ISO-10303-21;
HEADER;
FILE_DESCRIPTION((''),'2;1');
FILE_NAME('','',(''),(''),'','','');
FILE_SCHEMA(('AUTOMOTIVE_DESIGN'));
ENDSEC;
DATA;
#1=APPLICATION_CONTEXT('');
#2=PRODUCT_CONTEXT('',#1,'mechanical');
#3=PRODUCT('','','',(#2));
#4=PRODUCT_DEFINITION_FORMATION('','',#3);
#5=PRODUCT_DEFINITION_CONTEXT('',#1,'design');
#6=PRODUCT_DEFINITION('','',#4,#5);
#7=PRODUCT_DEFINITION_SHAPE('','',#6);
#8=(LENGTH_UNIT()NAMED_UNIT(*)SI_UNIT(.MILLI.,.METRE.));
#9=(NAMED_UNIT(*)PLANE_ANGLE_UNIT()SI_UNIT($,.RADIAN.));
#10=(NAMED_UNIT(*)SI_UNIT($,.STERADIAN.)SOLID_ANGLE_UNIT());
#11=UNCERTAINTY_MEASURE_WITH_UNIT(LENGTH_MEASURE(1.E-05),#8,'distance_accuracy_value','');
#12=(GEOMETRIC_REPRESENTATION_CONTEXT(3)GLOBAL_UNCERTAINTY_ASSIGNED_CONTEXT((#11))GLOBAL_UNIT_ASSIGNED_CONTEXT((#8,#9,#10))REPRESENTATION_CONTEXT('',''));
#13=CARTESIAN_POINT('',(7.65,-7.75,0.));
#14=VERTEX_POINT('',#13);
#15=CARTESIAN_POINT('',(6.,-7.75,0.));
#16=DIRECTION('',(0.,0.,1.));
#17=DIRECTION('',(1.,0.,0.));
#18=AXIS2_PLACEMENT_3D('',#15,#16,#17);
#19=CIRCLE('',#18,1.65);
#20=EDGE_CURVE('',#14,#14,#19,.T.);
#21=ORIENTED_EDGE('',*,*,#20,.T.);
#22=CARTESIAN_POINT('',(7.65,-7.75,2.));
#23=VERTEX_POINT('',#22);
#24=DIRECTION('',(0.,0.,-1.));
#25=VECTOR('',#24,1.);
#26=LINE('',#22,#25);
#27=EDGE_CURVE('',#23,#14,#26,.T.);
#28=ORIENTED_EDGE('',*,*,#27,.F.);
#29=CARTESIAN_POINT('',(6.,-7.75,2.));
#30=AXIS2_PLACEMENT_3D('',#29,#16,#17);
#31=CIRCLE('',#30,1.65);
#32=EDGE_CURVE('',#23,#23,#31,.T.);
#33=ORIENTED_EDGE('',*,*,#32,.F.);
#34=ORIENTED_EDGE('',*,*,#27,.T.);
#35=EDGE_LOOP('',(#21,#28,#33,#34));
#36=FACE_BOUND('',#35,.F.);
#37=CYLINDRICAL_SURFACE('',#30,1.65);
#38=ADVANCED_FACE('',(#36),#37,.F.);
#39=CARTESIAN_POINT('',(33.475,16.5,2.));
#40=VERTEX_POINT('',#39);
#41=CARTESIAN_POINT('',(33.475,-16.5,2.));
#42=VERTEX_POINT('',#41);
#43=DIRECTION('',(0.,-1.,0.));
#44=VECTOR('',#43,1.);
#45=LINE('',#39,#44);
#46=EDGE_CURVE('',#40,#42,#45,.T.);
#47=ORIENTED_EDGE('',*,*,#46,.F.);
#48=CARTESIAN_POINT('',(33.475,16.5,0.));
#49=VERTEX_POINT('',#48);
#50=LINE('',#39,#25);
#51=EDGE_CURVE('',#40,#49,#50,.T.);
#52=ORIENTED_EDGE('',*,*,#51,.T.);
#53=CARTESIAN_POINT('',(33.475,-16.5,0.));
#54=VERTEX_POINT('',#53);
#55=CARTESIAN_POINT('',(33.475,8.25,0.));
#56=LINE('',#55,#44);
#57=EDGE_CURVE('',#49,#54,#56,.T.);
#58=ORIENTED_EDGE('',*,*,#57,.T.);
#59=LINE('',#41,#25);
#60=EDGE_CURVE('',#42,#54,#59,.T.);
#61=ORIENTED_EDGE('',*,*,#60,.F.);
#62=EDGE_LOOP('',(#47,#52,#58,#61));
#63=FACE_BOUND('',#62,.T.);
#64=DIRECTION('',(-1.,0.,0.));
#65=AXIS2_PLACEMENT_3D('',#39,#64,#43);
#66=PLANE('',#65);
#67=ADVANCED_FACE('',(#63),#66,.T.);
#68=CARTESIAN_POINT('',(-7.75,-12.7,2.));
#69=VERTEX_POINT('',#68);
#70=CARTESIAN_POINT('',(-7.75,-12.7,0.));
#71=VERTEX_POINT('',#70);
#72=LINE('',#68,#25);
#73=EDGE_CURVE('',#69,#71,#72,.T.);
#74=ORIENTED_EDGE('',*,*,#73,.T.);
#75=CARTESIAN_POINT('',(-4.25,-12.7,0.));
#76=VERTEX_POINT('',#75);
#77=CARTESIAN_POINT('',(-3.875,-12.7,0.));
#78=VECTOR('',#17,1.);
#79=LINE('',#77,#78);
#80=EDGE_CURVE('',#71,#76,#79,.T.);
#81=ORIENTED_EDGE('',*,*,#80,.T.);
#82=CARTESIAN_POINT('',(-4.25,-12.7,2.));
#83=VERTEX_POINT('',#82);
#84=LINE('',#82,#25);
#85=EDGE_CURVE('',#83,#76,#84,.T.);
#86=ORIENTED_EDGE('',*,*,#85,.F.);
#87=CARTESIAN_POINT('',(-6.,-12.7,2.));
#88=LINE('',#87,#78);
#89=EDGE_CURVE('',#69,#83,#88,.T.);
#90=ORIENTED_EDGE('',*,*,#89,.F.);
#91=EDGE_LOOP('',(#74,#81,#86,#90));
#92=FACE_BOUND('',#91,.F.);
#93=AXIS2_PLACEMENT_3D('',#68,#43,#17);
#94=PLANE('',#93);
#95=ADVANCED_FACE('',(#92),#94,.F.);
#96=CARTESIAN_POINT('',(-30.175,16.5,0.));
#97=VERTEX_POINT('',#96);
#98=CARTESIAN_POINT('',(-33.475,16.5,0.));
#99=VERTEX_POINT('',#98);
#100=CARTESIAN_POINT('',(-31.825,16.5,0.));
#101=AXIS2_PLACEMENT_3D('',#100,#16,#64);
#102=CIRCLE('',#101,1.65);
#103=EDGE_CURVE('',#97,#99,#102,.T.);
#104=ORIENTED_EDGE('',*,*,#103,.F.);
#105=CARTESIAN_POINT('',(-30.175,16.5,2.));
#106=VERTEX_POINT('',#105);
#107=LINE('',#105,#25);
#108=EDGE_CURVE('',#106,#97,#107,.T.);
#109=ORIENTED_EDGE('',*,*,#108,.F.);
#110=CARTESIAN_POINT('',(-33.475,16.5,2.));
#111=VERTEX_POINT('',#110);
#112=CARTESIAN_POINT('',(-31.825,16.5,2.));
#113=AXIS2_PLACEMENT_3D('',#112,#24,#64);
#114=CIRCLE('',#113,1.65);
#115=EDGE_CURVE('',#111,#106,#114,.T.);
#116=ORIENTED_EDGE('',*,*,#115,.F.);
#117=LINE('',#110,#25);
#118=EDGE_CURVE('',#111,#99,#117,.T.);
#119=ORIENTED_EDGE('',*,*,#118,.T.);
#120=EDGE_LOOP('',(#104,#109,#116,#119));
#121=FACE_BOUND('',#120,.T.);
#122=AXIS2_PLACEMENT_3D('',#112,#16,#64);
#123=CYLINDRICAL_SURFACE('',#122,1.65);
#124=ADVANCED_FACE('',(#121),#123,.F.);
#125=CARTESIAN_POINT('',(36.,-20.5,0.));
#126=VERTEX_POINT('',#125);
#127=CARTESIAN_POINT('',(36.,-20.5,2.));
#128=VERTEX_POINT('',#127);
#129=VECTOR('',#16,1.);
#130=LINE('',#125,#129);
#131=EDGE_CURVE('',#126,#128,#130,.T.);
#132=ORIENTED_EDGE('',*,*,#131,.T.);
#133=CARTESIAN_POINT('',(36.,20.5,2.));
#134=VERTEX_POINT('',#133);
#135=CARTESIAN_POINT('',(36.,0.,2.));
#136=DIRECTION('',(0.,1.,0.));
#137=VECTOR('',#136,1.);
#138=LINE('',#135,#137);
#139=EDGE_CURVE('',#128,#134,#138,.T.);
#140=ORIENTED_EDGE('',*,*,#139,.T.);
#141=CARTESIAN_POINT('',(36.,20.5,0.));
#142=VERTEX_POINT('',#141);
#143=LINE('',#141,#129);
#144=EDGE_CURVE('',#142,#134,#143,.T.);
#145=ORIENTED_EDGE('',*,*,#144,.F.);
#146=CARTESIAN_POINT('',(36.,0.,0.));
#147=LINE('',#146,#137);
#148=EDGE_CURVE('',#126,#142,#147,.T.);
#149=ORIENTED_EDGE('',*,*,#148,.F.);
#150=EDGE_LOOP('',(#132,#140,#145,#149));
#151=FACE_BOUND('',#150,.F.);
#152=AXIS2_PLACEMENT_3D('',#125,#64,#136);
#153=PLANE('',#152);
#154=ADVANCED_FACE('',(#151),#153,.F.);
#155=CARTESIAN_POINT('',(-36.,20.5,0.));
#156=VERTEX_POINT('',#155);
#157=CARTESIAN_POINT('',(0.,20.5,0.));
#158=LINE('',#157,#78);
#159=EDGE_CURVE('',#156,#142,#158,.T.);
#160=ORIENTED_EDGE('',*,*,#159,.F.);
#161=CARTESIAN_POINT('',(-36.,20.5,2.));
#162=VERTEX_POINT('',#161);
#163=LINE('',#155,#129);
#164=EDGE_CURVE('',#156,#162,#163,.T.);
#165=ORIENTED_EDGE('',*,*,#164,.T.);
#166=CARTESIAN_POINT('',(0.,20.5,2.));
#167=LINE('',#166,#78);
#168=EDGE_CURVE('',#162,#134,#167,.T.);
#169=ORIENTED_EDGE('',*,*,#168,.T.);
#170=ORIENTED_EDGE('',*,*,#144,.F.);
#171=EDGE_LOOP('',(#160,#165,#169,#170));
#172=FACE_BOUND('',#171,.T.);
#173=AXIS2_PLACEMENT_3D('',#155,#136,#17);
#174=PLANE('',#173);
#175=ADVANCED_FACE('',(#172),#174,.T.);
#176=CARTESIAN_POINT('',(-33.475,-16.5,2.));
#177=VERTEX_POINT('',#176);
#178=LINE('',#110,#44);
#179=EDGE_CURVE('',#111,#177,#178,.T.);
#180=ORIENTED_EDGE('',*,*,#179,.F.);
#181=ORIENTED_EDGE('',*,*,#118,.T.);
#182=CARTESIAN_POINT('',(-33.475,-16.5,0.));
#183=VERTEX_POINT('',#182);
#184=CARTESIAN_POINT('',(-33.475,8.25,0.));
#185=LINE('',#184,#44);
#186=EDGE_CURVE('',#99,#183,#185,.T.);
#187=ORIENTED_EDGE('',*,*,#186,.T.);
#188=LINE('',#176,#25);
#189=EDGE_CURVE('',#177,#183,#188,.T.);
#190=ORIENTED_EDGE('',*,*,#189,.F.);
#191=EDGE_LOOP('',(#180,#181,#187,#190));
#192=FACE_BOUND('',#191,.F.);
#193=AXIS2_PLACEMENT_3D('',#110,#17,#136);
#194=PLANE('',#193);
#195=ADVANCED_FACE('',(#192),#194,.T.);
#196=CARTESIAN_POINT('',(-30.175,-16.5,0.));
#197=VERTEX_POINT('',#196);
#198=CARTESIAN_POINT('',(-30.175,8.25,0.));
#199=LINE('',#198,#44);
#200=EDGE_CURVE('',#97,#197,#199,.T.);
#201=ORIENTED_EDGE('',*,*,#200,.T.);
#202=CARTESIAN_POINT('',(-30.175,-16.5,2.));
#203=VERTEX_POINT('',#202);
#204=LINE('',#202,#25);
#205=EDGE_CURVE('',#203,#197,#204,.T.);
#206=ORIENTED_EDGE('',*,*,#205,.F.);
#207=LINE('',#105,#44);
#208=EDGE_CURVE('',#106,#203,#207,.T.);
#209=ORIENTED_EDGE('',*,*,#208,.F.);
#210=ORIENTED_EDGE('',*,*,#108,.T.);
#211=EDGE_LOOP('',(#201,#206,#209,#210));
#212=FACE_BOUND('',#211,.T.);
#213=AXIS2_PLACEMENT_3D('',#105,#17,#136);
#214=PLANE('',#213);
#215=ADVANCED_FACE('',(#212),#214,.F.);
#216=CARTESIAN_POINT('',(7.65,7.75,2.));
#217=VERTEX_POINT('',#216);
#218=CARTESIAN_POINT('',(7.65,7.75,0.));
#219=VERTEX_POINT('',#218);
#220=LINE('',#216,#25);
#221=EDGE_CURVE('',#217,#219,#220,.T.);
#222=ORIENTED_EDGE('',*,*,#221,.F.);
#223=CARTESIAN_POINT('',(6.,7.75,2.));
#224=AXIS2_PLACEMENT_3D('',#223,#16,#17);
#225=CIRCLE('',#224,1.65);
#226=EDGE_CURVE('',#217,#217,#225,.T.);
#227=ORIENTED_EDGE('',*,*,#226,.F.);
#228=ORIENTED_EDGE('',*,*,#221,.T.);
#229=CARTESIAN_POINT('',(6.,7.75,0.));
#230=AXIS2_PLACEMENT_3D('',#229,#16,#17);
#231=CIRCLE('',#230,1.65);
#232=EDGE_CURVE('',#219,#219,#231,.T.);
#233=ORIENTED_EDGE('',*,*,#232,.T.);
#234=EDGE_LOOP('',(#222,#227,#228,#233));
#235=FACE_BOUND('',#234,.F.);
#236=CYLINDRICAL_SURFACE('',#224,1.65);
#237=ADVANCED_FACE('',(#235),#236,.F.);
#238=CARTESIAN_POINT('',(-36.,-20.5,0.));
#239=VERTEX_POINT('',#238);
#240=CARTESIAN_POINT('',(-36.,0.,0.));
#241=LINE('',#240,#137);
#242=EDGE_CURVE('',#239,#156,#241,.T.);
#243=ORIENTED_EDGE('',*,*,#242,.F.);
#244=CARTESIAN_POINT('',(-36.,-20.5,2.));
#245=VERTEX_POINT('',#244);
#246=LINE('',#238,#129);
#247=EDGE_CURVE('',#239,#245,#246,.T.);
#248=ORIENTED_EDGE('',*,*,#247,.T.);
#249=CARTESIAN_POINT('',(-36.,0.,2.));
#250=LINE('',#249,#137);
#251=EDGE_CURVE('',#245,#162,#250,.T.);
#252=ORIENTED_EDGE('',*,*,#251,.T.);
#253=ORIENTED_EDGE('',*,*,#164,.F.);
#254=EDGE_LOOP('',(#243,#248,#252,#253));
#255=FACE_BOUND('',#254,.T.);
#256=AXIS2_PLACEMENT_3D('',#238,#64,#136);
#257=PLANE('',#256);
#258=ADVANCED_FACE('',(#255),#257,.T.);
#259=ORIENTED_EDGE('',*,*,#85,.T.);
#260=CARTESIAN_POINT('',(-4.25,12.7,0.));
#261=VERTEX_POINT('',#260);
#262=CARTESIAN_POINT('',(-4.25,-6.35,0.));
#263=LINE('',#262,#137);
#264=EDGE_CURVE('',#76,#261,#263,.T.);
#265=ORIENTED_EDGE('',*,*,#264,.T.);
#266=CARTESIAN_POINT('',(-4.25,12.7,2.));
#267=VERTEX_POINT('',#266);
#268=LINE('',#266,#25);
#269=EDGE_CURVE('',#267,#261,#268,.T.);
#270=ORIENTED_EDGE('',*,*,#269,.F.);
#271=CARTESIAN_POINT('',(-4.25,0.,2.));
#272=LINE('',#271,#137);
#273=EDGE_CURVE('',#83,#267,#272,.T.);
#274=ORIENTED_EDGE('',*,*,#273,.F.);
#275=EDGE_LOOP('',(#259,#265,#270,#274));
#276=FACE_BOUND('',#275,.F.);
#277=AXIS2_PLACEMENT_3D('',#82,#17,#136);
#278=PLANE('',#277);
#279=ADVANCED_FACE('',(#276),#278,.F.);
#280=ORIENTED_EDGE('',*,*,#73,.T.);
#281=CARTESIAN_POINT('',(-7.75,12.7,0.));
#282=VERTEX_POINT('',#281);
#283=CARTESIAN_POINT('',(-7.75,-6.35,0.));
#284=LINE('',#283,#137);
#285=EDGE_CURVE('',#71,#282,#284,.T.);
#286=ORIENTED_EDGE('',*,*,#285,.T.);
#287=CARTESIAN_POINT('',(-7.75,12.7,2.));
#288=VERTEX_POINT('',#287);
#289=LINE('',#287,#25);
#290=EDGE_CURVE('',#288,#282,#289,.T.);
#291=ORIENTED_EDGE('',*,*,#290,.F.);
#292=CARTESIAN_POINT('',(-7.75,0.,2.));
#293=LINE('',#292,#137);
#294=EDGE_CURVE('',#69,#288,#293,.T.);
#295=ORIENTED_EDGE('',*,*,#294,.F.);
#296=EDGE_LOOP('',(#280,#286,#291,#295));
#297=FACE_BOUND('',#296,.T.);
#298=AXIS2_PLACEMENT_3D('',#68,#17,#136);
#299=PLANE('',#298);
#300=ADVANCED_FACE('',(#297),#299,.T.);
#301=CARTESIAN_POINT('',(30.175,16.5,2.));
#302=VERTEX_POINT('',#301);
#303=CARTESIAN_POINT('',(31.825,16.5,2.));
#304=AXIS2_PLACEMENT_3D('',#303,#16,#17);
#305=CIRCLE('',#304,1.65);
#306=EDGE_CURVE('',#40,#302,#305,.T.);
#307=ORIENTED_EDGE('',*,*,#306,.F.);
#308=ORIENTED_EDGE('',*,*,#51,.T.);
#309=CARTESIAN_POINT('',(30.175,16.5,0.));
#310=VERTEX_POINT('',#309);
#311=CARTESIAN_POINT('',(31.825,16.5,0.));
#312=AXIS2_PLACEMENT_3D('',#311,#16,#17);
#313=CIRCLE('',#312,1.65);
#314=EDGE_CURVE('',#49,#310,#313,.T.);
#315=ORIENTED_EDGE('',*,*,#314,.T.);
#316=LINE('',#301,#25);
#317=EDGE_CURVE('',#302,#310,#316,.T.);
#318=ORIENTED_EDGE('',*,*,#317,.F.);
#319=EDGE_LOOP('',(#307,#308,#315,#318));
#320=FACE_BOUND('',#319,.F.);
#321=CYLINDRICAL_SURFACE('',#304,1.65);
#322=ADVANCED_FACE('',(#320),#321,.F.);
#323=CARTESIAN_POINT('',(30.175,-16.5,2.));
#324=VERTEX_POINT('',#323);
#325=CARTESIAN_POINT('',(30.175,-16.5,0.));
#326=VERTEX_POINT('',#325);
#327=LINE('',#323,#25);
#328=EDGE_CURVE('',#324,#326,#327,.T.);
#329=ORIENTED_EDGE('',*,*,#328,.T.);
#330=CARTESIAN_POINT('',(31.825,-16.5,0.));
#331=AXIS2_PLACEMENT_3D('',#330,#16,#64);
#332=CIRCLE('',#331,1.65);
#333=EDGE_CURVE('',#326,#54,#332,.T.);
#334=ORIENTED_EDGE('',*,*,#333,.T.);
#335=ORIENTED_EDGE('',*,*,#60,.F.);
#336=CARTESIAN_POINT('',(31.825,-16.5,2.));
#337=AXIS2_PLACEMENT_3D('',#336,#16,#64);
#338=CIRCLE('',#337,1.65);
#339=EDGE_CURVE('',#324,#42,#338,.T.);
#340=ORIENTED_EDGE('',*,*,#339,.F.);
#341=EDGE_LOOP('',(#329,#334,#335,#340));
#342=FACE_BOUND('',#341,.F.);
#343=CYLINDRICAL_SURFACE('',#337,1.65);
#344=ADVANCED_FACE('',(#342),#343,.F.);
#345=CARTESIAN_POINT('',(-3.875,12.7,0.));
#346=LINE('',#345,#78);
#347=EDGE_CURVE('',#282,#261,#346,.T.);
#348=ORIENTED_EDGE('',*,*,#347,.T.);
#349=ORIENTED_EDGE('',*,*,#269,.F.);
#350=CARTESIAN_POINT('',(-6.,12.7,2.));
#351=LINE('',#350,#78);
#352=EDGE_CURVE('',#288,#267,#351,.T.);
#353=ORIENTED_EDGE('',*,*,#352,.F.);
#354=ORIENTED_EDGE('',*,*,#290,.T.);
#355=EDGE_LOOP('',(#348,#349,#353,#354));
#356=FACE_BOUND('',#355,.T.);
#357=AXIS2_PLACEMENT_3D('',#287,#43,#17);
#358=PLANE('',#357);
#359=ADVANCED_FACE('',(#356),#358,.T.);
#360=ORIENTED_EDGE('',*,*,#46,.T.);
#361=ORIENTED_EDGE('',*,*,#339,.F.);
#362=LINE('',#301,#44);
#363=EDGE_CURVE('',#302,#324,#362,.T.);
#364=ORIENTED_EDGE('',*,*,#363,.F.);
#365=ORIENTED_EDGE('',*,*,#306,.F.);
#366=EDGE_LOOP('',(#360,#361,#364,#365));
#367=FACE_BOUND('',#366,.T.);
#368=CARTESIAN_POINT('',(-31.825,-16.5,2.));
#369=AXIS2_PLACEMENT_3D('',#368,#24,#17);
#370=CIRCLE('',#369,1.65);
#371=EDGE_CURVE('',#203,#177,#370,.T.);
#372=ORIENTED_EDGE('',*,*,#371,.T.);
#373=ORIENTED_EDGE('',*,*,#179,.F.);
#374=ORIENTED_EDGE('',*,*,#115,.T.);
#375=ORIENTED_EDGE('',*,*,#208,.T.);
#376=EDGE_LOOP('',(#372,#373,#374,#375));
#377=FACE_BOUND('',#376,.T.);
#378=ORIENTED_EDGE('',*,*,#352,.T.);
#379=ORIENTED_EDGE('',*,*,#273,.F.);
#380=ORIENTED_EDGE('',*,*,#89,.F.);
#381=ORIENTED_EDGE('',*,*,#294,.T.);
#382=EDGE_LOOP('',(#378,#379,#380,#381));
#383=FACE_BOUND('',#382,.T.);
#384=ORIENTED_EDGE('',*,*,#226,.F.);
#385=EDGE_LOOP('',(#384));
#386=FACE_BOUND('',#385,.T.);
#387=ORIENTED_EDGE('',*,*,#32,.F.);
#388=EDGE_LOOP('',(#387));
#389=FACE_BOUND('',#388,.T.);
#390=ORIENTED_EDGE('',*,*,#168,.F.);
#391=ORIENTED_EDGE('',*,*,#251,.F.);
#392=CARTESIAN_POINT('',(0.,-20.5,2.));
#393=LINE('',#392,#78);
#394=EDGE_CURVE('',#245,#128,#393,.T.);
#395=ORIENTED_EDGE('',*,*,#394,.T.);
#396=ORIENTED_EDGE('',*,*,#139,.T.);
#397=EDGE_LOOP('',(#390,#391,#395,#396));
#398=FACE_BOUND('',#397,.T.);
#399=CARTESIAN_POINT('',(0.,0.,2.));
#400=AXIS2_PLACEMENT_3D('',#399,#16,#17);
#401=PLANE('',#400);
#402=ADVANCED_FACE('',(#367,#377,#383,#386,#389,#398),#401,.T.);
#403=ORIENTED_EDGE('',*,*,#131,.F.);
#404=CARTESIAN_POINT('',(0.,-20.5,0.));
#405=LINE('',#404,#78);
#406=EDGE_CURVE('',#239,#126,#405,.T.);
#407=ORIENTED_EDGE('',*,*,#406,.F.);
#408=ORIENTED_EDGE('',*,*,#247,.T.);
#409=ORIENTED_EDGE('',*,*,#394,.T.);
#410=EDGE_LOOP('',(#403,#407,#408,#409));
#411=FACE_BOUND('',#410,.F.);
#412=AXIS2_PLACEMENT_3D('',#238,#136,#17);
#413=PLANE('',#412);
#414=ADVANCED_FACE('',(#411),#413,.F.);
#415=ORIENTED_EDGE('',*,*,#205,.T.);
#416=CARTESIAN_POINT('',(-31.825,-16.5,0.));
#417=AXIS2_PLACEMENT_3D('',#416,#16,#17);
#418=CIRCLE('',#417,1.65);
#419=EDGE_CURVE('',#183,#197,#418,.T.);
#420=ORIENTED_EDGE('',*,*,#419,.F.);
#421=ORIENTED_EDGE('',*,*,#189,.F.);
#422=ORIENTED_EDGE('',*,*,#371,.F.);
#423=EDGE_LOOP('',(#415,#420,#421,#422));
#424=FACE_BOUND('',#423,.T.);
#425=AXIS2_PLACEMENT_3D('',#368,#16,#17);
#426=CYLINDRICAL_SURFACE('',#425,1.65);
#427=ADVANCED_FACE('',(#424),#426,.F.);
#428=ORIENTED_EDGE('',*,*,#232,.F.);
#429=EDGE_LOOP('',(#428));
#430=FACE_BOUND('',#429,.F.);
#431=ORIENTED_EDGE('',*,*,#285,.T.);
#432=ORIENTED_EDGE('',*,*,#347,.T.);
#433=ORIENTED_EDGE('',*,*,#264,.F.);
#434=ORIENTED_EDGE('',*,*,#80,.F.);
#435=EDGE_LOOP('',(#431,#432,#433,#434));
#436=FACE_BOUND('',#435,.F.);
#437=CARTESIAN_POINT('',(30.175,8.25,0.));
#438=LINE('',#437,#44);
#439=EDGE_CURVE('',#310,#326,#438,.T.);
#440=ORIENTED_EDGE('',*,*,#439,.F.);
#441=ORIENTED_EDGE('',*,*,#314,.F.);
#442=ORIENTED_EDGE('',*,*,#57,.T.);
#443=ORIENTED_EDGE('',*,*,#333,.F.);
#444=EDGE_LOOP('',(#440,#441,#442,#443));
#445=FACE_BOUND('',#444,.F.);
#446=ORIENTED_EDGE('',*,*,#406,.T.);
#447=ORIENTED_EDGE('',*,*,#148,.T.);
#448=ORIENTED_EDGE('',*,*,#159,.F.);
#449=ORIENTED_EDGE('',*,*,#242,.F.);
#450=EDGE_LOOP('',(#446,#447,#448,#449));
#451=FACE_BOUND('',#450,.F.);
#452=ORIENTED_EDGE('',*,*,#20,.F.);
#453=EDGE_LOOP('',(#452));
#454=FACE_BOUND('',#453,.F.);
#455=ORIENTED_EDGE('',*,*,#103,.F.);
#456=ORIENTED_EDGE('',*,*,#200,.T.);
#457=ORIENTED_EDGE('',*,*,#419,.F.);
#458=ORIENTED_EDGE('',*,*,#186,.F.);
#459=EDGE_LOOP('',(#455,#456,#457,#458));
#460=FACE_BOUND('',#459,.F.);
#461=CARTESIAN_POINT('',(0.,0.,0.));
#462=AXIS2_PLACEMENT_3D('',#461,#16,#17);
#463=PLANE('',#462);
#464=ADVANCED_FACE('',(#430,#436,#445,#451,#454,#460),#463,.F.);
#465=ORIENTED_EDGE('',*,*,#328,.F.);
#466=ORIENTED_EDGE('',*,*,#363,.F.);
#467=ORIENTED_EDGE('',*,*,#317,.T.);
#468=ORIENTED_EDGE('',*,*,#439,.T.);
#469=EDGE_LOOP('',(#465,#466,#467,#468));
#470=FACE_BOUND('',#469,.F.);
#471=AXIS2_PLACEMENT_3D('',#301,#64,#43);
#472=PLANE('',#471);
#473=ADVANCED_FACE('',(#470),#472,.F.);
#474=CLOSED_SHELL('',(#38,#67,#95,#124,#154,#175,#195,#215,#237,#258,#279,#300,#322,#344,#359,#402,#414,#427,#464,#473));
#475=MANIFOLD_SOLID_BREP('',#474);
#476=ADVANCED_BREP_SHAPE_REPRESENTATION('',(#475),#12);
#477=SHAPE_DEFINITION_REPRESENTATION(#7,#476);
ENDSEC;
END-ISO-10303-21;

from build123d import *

# Parameters (mm, degrees)
SKETCH_W        = 72
SKETCH_H        = 41
PAD_DEPTH       = 2
POCKET_DEPTH    = 167.759861
SKETCH002_R     = 1.65
SKETCH002_W     = 3.5
SKETCH002_H     = 25.4
POCKET001_DEPTH = 2.001


with BuildPart() as part:
    # Sketch → Pad (new body)
    with BuildSketch(Plane.XY):
        Rectangle(SKETCH_W, SKETCH_H)
    extrude(amount=PAD_DEPTH)

    # Sketch001 (on Face6 of Pad) → Pocket (cut, through all)
    with BuildSketch(Plane.XY.offset(2)):
        with BuildLine():
            ThreePointArc((33.475, 16.5), (31.825, 18.15), (30.175, 16.5))
            Line((30.175, 16.5), (30.175, -16.5))
            ThreePointArc((30.175, -16.5), (31.825, -18.15), (33.475, -16.5))
            Line((33.475, 16.5), (33.475, -16.5))
        make_face()
    pocket = extrude(amount=-POCKET_DEPTH, mode=Mode.SUBTRACT)

    # Mirrored: Pocket across YZ
    add(pocket.mirror(Plane.YZ), mode=Mode.SUBTRACT)

    # Sketch002 (on Face5 of Mirrored) → Pocket001 (cut, through all)
    with BuildSketch(Plane.XY.offset(2)):
        with Locations((6, 7.75)):
            Circle(SKETCH002_R)
        with Locations((6, -7.75)):
            Circle(SKETCH002_R)
        with Locations((-6, 0)):
            Rectangle(SKETCH002_W, SKETCH002_H)
    extrude(amount=-POCKET001_DEPTH, mode=Mode.SUBTRACT)


solid = part.part
